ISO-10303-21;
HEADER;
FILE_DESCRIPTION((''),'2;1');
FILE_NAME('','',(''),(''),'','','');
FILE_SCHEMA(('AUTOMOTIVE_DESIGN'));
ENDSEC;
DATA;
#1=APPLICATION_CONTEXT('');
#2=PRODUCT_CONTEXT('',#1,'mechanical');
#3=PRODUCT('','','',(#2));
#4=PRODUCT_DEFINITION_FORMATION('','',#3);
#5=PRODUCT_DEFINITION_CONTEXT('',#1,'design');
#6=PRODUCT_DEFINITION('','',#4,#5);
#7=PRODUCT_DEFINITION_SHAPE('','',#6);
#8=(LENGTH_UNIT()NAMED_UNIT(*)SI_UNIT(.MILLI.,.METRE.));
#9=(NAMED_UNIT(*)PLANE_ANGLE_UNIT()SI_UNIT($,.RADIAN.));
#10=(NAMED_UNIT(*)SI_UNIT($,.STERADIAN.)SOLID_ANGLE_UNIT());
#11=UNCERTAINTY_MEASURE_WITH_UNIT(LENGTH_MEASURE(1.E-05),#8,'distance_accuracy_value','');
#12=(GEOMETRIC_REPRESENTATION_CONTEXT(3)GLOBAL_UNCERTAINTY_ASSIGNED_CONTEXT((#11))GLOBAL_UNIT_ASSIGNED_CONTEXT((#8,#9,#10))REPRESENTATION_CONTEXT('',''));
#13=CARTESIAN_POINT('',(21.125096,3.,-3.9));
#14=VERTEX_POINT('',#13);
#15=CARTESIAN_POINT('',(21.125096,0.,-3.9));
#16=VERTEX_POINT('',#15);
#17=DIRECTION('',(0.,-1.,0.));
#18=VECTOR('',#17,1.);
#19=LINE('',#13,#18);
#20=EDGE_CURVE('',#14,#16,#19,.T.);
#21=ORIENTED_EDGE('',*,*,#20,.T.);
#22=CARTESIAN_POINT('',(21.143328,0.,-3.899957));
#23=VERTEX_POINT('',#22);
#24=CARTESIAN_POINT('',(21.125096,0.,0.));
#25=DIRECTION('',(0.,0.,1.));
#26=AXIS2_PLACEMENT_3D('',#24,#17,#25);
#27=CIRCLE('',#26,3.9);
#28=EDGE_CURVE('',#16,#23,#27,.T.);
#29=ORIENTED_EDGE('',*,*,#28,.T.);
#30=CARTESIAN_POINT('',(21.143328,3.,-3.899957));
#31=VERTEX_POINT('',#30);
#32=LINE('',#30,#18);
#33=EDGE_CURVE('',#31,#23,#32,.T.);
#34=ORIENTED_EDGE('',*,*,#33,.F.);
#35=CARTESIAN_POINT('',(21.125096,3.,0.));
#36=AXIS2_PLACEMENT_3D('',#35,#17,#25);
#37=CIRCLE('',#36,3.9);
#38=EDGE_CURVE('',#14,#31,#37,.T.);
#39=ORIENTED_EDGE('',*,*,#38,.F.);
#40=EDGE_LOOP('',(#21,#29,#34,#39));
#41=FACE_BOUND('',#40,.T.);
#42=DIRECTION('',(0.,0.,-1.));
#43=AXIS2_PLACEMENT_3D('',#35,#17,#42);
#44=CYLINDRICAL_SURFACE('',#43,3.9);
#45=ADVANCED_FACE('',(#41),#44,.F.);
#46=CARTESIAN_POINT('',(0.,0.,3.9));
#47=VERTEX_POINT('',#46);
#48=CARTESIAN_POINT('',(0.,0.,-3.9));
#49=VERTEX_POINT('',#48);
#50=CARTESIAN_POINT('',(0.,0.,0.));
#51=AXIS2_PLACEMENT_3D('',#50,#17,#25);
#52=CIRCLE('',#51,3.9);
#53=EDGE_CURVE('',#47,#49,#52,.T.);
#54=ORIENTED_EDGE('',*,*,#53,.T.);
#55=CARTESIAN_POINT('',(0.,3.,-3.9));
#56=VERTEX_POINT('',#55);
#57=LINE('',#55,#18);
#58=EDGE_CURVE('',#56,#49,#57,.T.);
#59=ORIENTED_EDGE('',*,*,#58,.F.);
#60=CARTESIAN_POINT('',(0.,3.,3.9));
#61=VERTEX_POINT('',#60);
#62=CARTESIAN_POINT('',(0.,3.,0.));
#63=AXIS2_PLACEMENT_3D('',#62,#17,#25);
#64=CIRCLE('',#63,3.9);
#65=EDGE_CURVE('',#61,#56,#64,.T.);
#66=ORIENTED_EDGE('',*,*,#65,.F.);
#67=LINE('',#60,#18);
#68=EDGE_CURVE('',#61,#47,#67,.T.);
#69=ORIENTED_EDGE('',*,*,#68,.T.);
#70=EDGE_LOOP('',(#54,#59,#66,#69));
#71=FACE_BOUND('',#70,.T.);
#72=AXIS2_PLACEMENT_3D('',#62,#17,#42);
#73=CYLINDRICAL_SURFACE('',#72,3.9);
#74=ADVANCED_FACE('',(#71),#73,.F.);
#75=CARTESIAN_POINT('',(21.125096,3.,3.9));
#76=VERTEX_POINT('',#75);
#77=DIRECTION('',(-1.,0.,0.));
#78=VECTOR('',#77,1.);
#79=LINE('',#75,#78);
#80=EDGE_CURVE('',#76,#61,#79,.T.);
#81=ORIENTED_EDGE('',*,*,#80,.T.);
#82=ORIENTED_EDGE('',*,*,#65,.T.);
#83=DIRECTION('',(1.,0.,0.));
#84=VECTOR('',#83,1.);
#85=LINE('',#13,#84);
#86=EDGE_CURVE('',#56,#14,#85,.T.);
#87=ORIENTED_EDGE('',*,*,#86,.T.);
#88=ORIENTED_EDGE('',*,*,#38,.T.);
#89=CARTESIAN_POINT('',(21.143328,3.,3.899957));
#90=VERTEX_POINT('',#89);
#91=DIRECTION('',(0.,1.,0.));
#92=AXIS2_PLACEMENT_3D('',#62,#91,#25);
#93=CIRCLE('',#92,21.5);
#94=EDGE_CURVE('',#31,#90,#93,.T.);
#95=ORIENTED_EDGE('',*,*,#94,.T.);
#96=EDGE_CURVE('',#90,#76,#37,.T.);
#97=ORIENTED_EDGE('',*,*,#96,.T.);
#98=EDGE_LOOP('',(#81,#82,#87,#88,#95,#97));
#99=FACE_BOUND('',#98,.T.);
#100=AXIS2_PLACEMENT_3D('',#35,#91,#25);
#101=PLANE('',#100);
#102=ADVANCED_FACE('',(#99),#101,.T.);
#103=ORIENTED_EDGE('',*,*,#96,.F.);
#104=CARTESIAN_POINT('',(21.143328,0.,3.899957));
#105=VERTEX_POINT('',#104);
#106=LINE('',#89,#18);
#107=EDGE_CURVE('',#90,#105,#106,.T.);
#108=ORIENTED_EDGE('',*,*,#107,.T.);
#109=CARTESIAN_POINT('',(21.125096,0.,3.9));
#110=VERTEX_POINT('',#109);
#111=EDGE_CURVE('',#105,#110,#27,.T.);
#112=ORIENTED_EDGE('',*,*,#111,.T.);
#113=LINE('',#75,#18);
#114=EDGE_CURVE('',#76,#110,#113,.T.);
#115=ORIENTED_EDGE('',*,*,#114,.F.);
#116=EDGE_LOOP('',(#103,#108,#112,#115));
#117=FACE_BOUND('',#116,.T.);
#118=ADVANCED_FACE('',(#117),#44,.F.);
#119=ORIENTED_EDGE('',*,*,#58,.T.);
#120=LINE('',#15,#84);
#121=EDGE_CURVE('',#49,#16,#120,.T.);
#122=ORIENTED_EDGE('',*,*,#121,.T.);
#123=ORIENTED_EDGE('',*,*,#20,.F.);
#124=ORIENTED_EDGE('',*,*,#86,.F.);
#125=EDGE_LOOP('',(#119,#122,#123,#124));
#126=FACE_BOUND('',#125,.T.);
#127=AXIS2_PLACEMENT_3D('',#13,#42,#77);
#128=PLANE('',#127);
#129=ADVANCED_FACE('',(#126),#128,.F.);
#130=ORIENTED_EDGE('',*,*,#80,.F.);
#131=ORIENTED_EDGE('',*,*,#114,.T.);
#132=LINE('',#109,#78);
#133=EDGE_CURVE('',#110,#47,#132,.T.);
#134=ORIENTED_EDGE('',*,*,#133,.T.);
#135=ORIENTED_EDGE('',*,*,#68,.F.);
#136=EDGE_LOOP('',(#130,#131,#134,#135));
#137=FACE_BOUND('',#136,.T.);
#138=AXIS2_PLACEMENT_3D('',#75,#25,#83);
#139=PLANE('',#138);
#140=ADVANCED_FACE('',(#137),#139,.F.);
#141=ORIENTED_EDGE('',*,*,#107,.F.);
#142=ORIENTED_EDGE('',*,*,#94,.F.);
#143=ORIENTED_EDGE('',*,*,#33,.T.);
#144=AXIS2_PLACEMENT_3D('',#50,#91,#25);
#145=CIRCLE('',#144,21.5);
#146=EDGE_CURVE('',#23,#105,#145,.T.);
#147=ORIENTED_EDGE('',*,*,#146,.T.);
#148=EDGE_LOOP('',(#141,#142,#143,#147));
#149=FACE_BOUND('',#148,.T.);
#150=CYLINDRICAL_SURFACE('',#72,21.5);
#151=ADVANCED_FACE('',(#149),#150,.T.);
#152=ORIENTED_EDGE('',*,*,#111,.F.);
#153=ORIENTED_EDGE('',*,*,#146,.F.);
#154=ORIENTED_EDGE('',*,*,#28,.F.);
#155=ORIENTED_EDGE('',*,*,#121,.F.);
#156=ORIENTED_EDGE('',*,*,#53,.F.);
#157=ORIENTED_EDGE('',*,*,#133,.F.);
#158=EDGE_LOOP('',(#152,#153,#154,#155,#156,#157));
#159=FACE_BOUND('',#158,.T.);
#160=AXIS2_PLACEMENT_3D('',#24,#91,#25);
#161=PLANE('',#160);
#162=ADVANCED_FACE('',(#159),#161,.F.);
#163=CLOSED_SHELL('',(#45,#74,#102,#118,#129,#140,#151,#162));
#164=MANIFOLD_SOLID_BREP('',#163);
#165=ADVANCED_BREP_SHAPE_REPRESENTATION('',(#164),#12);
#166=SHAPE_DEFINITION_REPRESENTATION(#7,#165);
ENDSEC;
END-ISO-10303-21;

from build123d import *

# Parameters (mm, degrees)
BOSS_EXTRUDE1_DEPTH = 3


with BuildPart() as part:
    # Sketch1 → Boss-Extrude1 (new body)
    with BuildSketch(Plane(origin=(0, 0, 0), x_dir=(1, 0, 0), z_dir=(0, 1, 0))):
        with BuildLine():
            Line((21.125095664, -3.9), (0, -3.9))
            ThreePointArc((0, -3.9), (-3.9, 0), (0, 3.9))
            Line((0, 3.9), (21.125095664, 3.9))
            ThreePointArc((21.125095664, 3.9), (21.134212017, 3.899989345), (21.14332832, 3.899957381))
            ThreePointArc((21.14332832, 3.899957381), (-21.5, 0), (21.14332832, -3.899957381))
            ThreePointArc((21.14332832, -3.899957381), (21.134212017, -3.899989345), (21.125095664, -3.9))
        make_face()
    extrude(amount=BOSS_EXTRUDE1_DEPTH)


solid = part.part
